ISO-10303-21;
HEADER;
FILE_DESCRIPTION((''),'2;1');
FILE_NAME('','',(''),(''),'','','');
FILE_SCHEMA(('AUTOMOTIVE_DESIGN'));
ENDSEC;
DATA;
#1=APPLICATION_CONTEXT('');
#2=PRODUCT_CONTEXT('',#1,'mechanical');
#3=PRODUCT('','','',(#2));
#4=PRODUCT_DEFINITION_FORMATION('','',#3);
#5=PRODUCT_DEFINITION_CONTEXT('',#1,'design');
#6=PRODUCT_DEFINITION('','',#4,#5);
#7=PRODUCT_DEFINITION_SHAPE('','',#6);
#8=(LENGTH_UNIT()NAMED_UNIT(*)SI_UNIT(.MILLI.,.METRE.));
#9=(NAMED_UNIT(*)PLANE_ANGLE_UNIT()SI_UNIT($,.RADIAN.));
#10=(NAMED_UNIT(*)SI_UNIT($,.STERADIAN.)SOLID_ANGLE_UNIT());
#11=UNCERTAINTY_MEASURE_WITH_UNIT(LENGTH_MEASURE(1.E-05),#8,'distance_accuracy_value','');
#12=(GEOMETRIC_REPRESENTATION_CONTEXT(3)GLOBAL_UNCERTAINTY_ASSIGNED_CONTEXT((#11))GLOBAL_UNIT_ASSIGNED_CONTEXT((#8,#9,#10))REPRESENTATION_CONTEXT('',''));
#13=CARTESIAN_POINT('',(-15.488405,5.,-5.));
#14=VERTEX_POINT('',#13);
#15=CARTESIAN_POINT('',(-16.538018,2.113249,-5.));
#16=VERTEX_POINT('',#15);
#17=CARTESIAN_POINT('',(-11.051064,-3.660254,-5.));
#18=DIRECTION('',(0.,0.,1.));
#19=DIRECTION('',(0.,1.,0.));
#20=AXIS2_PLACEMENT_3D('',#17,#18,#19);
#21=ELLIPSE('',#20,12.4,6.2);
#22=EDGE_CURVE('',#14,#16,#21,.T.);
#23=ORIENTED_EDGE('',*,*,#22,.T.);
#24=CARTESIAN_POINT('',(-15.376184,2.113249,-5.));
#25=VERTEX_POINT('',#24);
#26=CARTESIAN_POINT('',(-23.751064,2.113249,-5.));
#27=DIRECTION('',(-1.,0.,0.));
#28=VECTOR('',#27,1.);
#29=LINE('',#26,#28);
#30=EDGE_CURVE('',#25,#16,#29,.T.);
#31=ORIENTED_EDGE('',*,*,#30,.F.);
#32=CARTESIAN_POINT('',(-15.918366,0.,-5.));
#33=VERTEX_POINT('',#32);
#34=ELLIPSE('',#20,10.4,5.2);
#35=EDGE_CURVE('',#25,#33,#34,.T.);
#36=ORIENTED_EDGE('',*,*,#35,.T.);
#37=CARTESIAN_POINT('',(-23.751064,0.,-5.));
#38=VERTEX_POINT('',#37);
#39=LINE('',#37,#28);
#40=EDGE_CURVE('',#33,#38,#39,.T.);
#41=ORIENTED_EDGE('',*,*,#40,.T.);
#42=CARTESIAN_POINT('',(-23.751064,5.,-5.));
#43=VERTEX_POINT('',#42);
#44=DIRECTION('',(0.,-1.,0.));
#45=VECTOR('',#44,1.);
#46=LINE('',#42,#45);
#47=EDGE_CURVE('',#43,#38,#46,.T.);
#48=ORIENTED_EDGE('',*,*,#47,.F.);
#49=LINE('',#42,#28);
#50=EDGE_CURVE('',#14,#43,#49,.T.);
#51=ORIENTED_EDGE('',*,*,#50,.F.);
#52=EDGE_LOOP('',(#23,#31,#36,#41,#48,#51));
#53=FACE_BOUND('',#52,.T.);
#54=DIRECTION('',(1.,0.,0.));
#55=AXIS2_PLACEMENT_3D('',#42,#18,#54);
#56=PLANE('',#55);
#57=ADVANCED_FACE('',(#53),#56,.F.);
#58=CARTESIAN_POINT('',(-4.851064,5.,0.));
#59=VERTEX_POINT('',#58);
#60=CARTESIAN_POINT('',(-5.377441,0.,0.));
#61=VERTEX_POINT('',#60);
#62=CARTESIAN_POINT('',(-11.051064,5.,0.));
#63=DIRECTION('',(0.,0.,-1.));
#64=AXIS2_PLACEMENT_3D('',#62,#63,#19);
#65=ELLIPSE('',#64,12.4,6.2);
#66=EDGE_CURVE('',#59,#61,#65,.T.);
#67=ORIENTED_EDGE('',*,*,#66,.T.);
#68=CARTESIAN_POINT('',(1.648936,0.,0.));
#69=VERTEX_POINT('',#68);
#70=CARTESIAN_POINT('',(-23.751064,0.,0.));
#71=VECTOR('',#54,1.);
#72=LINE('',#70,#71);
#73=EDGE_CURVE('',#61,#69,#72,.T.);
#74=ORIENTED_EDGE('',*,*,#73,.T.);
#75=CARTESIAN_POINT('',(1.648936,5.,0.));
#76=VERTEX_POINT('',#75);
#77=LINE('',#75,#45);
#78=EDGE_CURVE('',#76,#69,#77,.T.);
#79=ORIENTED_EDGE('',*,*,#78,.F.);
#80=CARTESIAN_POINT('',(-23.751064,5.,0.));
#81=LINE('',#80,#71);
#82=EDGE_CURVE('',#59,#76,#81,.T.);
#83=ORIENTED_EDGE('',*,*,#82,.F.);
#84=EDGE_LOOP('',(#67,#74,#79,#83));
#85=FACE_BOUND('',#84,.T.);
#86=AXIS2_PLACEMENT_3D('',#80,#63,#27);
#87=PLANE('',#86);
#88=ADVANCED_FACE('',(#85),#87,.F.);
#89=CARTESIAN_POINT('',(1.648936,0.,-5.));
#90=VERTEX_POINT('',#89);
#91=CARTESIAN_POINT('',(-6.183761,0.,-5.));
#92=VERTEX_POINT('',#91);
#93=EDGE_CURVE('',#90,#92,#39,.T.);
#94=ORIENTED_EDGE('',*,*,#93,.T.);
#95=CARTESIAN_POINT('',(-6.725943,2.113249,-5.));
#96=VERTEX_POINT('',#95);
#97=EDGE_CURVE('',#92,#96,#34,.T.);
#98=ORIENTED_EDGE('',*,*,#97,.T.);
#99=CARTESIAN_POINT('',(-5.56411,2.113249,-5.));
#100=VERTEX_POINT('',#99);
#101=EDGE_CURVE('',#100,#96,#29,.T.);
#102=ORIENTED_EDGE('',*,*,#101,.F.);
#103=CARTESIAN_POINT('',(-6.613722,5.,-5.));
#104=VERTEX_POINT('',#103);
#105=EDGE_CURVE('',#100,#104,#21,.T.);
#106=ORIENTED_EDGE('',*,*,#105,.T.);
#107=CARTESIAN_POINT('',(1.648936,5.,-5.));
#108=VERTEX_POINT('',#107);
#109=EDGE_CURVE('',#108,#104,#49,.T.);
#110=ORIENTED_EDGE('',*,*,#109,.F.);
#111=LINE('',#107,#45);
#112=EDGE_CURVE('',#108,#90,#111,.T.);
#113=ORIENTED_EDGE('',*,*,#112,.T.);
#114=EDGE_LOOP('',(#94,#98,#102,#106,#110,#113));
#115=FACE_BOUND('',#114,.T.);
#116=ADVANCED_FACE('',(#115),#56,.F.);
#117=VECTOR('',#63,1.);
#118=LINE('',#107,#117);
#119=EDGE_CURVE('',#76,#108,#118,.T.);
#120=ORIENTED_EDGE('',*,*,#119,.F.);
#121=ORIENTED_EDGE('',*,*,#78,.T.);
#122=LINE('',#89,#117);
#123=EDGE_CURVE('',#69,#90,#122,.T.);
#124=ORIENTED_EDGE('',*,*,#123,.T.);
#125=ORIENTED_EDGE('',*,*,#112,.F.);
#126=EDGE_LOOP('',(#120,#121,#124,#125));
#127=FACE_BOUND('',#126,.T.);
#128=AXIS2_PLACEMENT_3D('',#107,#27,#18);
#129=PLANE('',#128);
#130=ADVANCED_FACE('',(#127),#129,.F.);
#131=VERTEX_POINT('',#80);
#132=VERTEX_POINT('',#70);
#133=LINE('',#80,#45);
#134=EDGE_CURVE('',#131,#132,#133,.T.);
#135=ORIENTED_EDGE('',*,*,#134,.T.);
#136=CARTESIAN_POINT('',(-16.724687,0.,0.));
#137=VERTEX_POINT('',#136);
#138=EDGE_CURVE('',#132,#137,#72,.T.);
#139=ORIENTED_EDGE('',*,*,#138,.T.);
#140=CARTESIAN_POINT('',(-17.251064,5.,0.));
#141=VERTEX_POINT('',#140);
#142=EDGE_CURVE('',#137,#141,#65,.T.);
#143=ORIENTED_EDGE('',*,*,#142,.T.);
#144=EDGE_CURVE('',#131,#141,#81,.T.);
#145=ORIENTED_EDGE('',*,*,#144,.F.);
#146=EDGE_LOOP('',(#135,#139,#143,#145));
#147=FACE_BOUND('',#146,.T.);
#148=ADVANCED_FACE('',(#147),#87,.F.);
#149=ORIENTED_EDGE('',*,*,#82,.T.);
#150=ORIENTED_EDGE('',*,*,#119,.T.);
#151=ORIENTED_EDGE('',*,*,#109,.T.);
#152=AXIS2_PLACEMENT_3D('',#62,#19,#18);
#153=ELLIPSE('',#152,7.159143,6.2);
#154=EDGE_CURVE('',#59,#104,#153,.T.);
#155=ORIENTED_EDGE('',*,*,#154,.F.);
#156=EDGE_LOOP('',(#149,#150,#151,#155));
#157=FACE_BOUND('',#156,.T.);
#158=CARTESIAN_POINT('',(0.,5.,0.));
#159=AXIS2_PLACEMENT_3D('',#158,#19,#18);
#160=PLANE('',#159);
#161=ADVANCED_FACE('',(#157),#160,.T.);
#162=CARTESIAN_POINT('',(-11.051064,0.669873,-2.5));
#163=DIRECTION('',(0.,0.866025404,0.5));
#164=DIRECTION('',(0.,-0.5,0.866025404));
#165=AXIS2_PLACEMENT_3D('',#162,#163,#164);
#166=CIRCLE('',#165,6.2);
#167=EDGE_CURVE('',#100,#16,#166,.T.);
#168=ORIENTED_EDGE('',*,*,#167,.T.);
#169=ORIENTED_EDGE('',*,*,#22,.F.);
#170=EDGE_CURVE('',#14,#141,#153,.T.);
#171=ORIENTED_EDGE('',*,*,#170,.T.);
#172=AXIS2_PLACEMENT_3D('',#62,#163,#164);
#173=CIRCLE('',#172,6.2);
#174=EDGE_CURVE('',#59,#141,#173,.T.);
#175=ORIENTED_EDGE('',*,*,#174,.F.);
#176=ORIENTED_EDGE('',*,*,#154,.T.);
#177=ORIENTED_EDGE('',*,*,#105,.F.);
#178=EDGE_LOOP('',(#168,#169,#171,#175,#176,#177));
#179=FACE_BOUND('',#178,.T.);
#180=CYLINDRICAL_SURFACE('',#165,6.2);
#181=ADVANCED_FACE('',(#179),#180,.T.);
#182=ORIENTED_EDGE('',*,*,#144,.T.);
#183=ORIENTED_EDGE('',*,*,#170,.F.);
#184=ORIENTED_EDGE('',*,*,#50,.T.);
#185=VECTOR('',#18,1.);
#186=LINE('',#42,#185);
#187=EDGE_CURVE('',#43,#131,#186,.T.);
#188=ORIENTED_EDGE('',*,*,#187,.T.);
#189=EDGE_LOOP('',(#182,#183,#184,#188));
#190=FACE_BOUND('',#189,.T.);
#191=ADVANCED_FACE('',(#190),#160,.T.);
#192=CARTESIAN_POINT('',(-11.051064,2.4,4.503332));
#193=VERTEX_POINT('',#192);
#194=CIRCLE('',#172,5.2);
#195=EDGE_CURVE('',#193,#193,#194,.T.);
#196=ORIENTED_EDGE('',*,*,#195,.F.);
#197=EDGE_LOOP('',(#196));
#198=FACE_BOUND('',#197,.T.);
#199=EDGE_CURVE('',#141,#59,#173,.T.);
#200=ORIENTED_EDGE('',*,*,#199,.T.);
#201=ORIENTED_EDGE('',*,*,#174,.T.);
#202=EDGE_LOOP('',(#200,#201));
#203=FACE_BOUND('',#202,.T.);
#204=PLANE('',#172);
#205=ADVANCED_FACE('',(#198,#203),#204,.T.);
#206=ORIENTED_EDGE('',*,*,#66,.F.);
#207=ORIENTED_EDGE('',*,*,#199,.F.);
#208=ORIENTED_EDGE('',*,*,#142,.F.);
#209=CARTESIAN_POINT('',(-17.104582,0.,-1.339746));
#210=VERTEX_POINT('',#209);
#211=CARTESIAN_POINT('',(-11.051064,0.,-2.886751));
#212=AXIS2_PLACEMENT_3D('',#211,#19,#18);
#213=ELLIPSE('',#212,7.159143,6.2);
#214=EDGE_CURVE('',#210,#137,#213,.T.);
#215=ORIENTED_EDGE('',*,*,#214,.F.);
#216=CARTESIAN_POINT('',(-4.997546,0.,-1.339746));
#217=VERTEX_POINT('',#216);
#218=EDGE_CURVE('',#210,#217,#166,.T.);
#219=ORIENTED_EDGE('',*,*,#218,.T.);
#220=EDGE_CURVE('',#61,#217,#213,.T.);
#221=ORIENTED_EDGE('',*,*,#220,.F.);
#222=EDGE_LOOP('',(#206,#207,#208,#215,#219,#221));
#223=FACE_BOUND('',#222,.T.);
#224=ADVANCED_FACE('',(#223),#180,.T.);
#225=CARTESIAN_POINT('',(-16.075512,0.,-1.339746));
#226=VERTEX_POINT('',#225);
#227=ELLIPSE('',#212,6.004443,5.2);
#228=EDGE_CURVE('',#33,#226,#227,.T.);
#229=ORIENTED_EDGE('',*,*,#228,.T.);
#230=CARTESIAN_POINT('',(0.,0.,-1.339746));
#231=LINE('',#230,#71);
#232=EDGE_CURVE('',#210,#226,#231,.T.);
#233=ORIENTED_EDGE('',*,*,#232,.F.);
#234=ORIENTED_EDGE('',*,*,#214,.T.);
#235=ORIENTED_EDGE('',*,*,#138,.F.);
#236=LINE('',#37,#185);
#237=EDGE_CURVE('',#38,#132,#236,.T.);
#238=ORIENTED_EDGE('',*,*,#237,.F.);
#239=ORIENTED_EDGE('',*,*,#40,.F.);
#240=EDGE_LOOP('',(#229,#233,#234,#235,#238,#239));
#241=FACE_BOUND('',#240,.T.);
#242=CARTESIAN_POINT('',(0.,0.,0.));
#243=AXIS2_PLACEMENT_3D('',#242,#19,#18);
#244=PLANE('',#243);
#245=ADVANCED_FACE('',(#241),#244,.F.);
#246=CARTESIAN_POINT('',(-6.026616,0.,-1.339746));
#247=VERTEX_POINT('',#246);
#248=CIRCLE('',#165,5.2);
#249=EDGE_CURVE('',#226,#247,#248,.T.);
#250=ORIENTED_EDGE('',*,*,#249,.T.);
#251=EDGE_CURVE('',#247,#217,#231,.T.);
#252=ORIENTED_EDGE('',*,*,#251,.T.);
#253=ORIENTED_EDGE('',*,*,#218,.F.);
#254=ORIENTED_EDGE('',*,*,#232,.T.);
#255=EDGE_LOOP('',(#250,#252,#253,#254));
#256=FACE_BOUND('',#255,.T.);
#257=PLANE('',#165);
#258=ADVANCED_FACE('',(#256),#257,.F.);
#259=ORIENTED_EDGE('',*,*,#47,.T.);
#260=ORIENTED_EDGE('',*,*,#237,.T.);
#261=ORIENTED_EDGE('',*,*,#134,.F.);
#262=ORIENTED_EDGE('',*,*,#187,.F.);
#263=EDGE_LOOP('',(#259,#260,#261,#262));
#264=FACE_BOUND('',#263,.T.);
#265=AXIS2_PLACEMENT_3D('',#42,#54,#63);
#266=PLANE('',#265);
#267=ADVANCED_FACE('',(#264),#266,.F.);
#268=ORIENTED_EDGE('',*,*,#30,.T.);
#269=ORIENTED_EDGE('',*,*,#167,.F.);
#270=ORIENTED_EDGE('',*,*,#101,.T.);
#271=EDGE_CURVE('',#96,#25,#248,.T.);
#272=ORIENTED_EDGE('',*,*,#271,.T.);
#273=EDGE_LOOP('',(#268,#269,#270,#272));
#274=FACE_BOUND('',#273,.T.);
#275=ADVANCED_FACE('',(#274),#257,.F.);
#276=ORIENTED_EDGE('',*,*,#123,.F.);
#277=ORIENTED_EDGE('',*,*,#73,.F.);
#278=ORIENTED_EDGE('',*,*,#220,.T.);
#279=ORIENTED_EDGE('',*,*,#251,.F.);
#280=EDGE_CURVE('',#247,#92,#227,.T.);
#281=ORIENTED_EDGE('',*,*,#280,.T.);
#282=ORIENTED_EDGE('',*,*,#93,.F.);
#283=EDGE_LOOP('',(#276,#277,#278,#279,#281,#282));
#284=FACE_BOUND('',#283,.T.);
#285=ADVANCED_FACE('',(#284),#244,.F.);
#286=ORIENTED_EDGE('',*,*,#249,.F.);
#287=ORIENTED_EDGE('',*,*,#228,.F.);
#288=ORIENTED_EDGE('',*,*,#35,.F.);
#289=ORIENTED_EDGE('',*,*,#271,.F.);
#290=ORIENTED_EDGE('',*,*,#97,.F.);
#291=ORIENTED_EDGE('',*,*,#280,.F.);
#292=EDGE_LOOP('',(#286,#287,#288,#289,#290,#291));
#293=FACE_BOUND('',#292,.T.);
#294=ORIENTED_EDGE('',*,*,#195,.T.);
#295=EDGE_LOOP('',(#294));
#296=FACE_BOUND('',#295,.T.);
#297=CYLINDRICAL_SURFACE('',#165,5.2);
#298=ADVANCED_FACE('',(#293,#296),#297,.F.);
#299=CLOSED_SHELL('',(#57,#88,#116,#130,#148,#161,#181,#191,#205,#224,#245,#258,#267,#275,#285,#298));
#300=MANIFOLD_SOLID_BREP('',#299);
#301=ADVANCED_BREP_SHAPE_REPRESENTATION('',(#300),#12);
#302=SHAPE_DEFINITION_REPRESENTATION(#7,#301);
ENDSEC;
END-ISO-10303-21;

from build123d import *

# Parameters (mm, degrees)
SKETCH1_W           = 25.4
SKETCH1_H           = 5
BOSS_EXTRUDE1_DEPTH = 5
SKETCH4_R           = 6.2
SKETCH4_R_2         = 5.2
BOSS_EXTRUDE2_DEPTH = 5
SKETCH5_R           = 5.2
CUT_EXTRUDE1_DEPTH  = 27.514083203


with BuildPart() as part:
    # Sketch1 → Boss-Extrude1 (new body)
    with BuildSketch(Plane(origin=(0, 0, 0), x_dir=(1, 0, 0), z_dir=(0, 1, 0))):
        with Locations((-11.05106383, 2.5)):
            Rectangle(SKETCH1_W, SKETCH1_H)
    extrude(amount=BOSS_EXTRUDE1_DEPTH)

    # Sketch4 → Boss-Extrude2 (add)
    with BuildSketch(Plane(origin=(0, 3.75, 2.165063509), x_dir=(1, 0, 0), z_dir=(0, 0.866025403784438, 0.500000000000001))):
        with Locations((-11.05106383, 2.5)):
            Circle(SKETCH4_R)
        with Locations((-11.05106383, 2.5)):
            Circle(SKETCH4_R_2, mode=Mode.SUBTRACT)
    extrude(amount=-BOSS_EXTRUDE2_DEPTH)

    # Sketch5 → Cut-Extrude1 (cut, through all)
    with BuildSketch(Plane(origin=(0, 3.75, 2.165063509), x_dir=(1, 0, 0), z_dir=(0, 0.866025403784438, 0.500000000000001))):
        with Locations((-11.05106383, 2.5)):
            Circle(SKETCH5_R)
    extrude(amount=-CUT_EXTRUDE1_DEPTH, mode=Mode.SUBTRACT)


solid = part.part
